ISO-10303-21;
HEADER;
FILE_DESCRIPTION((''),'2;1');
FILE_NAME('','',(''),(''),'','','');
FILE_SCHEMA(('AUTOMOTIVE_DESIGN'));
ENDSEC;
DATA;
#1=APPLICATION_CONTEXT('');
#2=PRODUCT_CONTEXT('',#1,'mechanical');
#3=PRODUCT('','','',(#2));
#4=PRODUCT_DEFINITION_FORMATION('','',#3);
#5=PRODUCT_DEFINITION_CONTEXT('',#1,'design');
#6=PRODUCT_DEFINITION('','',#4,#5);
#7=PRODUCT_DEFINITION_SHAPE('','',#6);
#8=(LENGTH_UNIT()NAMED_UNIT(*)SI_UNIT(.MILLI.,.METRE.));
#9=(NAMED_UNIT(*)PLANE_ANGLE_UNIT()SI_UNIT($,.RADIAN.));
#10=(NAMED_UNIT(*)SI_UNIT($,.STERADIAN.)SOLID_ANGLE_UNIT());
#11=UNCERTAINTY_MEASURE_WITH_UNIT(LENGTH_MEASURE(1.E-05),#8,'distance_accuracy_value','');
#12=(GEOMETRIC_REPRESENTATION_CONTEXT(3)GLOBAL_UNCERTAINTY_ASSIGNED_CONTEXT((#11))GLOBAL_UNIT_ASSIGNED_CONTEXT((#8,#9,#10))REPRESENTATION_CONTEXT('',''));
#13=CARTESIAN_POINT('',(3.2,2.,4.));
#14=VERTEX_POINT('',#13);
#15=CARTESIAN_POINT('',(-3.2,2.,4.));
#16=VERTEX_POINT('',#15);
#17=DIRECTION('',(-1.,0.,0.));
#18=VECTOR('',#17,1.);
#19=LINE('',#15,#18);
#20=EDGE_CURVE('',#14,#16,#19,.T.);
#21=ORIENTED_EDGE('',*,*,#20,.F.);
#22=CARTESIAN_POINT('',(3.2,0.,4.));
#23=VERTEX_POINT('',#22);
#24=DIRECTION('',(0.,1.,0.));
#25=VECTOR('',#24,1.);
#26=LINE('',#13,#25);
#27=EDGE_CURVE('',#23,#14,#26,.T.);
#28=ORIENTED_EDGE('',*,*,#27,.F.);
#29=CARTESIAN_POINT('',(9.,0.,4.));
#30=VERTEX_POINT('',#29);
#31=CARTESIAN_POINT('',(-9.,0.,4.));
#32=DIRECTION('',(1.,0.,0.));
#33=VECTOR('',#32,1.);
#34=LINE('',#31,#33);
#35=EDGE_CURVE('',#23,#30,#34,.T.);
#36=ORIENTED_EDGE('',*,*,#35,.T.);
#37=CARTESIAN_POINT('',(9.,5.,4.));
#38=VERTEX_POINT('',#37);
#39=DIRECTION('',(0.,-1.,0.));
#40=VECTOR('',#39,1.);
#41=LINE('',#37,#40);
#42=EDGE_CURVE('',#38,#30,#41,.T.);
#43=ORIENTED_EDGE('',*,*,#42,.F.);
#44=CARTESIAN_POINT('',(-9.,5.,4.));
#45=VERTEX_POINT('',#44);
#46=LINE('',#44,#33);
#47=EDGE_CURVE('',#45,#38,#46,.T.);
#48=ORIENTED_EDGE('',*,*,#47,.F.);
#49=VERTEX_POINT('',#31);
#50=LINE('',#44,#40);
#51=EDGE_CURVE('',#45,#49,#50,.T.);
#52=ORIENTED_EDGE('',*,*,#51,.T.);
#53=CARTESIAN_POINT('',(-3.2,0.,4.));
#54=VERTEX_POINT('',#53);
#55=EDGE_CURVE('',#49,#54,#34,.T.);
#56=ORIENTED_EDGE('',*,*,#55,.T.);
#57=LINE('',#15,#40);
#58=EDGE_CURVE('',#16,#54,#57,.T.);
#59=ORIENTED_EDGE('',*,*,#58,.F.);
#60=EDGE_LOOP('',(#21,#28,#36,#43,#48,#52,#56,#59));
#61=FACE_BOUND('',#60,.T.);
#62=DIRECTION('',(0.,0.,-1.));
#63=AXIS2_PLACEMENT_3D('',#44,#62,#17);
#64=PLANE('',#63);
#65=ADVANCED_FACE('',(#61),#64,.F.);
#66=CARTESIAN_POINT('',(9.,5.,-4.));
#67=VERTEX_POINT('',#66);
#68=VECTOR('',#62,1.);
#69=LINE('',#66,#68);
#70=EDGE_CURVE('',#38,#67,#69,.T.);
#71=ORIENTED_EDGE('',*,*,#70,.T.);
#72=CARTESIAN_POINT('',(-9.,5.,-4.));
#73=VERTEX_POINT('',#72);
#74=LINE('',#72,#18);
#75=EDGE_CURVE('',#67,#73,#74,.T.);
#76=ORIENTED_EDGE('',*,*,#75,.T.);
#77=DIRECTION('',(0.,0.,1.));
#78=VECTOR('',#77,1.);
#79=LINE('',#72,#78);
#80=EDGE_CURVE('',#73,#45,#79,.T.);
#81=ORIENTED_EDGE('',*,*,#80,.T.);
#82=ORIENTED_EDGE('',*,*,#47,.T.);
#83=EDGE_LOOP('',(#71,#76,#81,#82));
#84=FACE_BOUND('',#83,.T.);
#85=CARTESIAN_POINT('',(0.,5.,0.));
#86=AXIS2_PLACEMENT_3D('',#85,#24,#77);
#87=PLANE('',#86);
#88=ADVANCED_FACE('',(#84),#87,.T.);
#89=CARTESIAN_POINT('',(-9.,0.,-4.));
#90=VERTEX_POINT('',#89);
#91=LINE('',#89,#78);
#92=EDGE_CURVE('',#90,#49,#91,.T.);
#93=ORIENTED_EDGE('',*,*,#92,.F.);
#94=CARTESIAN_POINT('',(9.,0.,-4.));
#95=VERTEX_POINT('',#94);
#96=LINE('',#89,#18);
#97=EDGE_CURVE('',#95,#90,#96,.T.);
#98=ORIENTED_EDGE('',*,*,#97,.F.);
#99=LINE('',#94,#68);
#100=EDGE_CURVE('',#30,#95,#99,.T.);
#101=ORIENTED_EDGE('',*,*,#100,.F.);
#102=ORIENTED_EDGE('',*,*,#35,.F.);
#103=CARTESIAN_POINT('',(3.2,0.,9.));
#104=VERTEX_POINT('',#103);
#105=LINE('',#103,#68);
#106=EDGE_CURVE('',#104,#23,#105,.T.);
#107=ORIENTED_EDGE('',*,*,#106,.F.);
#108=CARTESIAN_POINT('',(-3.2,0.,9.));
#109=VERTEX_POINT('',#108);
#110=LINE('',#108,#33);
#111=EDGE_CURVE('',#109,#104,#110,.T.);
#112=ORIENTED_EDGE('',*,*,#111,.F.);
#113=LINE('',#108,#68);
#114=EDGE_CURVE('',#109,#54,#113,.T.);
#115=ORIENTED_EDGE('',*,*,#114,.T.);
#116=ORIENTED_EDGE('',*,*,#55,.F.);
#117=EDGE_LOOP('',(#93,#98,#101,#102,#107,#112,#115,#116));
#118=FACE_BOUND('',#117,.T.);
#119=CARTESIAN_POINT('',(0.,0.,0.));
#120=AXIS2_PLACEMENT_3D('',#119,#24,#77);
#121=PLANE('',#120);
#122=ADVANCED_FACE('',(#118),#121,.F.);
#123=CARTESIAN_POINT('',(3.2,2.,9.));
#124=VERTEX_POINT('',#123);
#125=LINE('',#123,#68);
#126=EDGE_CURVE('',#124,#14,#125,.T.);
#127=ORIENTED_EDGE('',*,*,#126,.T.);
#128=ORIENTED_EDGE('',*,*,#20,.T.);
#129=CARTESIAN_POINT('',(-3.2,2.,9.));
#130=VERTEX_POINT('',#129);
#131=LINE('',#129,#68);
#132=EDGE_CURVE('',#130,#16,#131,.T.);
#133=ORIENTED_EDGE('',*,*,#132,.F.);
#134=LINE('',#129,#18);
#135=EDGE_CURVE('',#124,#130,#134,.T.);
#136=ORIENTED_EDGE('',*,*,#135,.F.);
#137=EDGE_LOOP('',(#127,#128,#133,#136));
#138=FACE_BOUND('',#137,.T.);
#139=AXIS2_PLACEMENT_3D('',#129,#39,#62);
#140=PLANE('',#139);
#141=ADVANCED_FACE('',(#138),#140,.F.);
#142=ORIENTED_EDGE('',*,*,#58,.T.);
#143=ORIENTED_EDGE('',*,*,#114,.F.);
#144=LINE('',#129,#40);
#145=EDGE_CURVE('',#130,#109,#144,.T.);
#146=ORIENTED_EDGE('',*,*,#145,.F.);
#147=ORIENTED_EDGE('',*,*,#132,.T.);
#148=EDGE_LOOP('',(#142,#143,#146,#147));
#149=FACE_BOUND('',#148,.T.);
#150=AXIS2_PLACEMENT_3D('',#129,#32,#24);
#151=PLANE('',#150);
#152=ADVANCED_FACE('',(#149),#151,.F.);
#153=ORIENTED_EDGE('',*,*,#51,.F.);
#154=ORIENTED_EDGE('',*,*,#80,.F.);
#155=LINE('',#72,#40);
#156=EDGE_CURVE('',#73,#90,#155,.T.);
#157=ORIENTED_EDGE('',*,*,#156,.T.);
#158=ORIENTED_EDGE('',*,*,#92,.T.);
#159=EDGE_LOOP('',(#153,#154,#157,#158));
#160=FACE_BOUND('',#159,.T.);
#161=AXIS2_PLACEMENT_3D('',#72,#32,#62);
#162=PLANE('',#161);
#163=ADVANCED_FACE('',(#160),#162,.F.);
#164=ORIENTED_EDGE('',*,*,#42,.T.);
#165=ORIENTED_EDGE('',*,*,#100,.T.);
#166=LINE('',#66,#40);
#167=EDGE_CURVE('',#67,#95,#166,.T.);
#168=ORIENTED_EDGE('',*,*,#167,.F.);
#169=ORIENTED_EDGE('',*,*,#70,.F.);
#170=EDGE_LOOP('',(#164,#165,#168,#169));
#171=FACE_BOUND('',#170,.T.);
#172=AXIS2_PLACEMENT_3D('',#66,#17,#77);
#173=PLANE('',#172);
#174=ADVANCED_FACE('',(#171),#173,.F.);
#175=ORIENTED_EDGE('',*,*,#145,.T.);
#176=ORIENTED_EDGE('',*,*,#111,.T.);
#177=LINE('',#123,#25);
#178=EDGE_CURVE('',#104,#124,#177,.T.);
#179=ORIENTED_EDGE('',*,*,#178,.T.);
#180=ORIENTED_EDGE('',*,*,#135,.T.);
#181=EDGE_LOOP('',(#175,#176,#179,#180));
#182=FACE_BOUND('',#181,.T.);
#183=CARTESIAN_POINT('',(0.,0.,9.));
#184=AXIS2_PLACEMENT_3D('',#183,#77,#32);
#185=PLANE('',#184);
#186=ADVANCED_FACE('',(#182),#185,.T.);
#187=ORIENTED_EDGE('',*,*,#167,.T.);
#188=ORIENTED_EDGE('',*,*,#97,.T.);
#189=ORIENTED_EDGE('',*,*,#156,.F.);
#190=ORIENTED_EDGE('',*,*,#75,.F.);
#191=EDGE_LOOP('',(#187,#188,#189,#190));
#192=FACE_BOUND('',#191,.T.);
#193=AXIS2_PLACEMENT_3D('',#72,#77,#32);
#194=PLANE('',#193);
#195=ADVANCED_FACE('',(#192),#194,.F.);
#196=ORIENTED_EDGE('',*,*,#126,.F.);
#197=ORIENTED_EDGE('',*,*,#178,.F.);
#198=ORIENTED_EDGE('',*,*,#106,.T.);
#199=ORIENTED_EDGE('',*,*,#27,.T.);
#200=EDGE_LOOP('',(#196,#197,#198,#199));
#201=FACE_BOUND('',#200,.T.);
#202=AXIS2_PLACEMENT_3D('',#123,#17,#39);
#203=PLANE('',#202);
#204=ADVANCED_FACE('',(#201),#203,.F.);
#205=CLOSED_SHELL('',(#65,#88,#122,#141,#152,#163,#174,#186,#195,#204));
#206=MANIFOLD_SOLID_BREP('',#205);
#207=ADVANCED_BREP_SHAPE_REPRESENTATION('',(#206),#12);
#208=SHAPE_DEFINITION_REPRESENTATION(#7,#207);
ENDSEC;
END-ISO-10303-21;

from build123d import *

# Parameters (mm, degrees)
ESQUISSE1_W        = 18
ESQUISSE1_H        = 8
BOSS_EXTRU_1_DEPTH = 5
ESQUISSE2_W        = 6.4
ESQUISSE2_H        = 2
BOSS_EXTRU_2_DEPTH = 5


with BuildPart() as part:
    # Esquisse1 → Boss.-Extru.1 (new body)
    with BuildSketch(Plane(origin=(0, 0, 0), x_dir=(1, 0, 0), z_dir=(0, 1, 0))):
        Rectangle(ESQUISSE1_W, ESQUISSE1_H)
    extrude(amount=BOSS_EXTRU_1_DEPTH)

    # Esquisse2 → Boss.-Extru.2 (add)
    with BuildSketch(Plane.XY.offset(4)):
        with Locations((0, 1)):
            Rectangle(ESQUISSE2_W, ESQUISSE2_H)
    extrude(amount=BOSS_EXTRU_2_DEPTH)


solid = part.part
